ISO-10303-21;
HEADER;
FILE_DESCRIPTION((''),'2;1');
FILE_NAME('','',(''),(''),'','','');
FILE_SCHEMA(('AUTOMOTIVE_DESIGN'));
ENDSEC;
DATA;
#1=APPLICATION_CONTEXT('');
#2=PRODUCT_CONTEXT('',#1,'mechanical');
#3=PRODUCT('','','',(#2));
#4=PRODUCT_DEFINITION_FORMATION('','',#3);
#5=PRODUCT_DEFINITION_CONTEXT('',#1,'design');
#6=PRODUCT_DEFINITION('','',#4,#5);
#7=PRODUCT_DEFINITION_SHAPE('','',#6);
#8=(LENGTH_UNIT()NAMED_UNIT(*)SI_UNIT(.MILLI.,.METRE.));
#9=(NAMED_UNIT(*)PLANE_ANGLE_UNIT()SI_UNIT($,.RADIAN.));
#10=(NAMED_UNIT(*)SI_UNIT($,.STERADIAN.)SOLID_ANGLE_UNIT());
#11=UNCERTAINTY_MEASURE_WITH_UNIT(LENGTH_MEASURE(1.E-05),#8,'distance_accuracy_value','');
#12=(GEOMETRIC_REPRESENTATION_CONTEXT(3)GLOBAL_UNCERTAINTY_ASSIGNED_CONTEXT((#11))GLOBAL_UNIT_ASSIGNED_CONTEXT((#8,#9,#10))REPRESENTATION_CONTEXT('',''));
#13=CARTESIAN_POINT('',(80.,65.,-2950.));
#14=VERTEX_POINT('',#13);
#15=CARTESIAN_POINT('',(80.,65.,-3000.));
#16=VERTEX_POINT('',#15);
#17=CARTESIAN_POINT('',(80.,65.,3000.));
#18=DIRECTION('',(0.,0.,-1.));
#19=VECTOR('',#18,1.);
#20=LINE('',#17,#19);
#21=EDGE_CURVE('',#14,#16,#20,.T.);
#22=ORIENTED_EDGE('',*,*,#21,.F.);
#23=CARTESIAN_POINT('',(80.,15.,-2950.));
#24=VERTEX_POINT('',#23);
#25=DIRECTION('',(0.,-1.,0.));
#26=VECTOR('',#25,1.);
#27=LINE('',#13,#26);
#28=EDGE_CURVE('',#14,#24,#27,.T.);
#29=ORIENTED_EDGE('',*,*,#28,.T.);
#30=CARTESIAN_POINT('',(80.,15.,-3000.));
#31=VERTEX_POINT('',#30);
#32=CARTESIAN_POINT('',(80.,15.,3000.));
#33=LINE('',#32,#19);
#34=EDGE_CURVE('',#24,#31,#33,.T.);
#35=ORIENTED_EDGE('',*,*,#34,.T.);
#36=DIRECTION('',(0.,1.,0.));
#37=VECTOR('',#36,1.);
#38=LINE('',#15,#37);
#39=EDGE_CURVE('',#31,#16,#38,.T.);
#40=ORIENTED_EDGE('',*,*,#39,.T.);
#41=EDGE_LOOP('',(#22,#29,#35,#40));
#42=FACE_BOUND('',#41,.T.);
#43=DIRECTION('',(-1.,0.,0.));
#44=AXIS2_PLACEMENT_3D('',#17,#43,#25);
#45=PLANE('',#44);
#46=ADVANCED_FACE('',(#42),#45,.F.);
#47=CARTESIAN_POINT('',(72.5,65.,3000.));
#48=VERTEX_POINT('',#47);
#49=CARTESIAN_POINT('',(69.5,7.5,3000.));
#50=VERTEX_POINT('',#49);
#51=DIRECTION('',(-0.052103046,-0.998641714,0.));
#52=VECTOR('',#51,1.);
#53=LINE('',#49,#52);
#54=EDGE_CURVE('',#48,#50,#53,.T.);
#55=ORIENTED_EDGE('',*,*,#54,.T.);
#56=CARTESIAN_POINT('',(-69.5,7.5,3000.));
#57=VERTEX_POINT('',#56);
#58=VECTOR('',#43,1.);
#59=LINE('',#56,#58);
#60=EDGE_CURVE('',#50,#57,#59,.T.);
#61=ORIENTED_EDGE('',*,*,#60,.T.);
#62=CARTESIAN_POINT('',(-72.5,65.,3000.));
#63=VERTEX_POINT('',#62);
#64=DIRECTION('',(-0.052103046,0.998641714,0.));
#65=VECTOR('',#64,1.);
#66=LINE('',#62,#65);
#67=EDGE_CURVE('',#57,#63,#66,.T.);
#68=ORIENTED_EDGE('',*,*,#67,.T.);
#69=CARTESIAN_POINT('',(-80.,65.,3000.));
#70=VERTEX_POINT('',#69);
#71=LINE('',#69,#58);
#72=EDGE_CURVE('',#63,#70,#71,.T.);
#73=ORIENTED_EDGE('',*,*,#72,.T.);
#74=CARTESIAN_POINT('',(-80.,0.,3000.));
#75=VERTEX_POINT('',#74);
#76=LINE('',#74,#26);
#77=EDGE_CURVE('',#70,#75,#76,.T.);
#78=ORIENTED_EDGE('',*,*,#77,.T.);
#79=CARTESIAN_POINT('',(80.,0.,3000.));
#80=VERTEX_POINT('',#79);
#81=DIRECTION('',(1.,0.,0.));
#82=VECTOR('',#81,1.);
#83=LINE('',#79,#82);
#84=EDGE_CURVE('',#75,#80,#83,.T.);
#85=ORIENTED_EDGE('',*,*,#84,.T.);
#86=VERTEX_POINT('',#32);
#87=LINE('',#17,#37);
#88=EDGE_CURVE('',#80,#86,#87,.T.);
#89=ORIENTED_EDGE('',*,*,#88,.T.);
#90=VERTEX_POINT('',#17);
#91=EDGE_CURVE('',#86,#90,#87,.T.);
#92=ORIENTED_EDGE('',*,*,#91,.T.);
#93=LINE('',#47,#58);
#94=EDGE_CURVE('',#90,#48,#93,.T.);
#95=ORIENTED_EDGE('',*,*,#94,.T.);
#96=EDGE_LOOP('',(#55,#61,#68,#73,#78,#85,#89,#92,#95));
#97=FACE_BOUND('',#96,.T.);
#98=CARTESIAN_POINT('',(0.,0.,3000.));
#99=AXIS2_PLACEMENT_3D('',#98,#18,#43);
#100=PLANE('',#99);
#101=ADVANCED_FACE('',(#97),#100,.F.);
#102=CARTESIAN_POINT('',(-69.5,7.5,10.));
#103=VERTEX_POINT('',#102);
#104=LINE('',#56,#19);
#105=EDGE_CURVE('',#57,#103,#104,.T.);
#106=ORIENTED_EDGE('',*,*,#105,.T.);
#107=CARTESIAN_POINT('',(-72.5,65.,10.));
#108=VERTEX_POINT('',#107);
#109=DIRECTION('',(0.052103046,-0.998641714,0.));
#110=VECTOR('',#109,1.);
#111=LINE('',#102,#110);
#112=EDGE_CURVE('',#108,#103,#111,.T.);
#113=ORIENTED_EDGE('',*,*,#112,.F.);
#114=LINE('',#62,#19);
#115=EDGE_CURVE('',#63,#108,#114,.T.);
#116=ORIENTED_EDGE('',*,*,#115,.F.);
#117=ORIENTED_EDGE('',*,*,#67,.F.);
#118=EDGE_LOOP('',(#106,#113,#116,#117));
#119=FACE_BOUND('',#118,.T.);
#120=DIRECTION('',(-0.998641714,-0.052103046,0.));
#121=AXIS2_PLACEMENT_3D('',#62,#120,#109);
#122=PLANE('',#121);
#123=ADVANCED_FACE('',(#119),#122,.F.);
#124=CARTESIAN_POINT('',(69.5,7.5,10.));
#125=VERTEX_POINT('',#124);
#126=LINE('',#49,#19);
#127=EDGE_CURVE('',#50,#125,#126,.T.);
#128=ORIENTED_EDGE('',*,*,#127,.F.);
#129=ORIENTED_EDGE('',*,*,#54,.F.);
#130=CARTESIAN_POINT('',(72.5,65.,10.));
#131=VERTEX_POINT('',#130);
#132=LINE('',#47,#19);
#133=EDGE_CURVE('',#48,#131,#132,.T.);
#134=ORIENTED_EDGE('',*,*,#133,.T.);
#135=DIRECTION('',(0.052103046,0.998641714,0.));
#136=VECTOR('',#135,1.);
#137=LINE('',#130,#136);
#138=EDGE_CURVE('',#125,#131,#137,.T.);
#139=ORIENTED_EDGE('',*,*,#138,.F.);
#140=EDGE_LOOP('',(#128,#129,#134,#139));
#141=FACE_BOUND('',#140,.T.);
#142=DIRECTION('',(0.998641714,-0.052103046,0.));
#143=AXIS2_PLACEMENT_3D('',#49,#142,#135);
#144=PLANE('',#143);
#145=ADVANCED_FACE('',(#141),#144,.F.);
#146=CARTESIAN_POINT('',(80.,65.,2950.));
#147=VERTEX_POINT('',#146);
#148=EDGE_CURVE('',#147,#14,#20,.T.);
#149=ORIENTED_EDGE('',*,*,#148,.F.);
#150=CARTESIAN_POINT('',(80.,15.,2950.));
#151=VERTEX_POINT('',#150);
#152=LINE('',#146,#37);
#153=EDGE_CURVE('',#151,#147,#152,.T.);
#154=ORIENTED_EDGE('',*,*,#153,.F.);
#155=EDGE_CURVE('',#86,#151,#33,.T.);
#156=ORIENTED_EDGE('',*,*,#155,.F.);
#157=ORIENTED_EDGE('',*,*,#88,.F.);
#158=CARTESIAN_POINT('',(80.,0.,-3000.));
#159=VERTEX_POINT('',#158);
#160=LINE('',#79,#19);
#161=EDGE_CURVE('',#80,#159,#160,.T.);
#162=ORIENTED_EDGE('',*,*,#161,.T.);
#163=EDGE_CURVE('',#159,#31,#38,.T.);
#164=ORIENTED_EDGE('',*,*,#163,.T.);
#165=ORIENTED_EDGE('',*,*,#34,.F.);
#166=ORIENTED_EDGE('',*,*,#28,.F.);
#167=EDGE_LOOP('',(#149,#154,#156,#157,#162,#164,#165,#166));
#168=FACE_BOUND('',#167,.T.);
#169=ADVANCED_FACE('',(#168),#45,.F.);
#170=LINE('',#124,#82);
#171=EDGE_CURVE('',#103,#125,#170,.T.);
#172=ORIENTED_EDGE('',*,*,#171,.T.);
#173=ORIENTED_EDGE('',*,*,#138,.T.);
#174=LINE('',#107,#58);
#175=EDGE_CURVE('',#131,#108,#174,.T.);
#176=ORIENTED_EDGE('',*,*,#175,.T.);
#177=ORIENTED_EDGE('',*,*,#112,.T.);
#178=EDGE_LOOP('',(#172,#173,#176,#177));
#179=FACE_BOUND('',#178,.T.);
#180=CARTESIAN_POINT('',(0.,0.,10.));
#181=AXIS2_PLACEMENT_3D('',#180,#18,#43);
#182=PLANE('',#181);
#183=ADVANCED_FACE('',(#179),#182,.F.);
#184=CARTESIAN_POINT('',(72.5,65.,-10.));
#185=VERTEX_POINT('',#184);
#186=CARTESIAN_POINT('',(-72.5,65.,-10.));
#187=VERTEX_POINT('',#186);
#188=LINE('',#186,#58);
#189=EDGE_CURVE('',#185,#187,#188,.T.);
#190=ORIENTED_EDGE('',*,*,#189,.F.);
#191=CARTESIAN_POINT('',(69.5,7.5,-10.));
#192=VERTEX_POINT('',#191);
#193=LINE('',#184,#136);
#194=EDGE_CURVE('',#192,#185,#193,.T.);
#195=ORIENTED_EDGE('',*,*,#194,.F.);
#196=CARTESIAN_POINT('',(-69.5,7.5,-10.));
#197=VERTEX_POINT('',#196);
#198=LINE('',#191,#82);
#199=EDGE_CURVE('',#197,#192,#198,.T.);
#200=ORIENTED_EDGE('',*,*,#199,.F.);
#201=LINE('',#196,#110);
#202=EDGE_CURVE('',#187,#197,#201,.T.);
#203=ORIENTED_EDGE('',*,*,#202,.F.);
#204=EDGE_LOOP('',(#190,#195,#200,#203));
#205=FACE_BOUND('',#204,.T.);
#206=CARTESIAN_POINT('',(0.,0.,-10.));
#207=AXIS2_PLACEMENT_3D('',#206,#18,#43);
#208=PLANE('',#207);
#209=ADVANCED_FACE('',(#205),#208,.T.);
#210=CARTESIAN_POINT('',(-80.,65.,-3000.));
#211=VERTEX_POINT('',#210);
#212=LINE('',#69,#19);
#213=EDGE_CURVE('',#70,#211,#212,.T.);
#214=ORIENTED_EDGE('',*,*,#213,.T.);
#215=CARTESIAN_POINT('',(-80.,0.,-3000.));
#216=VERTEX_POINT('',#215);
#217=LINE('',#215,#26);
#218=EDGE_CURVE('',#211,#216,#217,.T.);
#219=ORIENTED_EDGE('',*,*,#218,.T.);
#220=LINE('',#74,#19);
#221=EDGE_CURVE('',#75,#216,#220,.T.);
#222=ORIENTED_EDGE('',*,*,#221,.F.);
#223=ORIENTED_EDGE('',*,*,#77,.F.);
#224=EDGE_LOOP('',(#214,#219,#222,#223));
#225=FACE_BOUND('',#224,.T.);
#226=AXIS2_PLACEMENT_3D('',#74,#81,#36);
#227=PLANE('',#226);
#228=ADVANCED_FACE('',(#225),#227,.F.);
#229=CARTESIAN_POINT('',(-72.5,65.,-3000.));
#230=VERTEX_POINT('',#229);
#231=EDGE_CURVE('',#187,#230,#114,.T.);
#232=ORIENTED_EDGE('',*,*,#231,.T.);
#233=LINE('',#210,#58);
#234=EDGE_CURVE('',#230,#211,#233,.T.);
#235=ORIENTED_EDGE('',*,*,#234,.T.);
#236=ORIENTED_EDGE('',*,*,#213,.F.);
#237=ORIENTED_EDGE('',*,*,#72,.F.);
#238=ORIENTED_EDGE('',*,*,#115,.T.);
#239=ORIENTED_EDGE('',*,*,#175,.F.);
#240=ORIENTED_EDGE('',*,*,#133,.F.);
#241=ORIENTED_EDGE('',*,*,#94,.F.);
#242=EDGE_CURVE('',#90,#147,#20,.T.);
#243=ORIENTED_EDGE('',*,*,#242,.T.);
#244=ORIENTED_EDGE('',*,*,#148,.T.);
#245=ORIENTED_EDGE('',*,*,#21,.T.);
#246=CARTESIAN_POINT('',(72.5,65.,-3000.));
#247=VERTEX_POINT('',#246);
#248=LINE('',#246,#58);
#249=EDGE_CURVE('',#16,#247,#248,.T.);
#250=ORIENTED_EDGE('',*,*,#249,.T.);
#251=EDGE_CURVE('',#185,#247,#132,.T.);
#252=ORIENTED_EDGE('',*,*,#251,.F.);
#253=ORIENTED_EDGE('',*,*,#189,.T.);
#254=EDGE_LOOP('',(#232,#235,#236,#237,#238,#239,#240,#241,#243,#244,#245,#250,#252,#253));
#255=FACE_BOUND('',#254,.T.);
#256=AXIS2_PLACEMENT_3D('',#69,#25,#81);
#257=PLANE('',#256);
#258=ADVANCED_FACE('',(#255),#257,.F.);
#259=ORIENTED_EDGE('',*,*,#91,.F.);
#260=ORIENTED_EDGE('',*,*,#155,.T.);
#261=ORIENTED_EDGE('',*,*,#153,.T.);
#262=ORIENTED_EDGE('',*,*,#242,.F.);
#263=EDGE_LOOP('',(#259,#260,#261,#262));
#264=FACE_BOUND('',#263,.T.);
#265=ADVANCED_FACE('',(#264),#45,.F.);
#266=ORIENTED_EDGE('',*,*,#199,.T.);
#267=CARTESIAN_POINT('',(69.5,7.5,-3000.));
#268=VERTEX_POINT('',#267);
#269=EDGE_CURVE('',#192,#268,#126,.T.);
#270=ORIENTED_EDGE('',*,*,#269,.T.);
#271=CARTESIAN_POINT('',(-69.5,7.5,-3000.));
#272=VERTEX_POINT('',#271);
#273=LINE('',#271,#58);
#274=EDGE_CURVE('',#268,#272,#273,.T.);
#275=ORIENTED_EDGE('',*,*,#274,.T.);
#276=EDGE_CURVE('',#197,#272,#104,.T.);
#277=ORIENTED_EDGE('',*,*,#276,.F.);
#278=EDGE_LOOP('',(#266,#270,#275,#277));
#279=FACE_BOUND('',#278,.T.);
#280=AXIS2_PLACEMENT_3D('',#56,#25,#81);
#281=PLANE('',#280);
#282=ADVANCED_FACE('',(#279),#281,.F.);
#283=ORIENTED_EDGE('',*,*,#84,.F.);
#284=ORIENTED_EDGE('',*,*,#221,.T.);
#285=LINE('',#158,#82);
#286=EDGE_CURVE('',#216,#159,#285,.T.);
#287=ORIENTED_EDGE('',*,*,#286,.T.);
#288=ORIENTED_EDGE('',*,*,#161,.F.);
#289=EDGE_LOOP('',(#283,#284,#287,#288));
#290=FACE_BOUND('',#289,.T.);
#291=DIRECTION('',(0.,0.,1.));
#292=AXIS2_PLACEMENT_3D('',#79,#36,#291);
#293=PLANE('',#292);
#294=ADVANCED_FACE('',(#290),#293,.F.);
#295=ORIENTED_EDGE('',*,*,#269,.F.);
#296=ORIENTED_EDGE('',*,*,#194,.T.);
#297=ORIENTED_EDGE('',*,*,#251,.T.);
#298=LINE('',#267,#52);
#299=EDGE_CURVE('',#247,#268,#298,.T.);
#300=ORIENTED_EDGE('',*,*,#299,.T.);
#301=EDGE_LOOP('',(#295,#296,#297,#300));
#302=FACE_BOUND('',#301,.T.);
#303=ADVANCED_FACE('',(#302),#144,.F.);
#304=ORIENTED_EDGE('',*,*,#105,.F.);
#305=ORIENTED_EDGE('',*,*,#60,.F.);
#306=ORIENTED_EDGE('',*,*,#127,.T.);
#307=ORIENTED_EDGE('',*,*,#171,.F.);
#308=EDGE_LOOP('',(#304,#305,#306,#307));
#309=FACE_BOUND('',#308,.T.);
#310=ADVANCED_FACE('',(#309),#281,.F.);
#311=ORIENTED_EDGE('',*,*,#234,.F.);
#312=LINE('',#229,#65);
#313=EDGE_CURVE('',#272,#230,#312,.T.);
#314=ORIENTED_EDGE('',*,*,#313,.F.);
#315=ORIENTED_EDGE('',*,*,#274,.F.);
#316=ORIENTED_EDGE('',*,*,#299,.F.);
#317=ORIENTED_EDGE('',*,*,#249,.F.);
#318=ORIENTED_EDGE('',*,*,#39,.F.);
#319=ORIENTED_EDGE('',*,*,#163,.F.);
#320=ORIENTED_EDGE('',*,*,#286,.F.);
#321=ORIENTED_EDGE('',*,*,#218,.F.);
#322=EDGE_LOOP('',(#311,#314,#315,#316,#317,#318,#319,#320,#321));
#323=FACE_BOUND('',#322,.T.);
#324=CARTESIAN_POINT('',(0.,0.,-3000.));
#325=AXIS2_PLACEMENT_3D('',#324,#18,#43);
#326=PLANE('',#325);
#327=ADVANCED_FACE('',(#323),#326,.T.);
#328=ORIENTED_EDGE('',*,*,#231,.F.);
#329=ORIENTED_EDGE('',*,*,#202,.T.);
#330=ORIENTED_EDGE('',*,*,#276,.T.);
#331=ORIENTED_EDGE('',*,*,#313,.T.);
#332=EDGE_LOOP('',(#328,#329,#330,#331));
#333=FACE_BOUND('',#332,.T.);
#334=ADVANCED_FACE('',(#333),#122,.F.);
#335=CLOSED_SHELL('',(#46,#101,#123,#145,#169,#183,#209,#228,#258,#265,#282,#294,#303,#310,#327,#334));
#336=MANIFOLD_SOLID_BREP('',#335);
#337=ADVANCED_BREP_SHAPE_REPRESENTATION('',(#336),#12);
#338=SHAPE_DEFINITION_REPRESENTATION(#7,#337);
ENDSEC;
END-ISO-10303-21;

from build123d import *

# Parameters (mm, degrees)
AUFSATZ_LINEAR_AUSTRAGEN1_DEPTH = 3000
AUFSATZ_LINEAR_AUSTRAGEN2_DEPTH = 10


with BuildPart() as part:
    # Skizze1 → Aufsatz-Linear austragen1 (new body, symmetric)
    with BuildSketch(Plane.XY):
        Polygon((80, 0), (-80, 0), (-80, 65), (-72.5, 65), (-69.5, 7.5), (69.5, 7.5), (72.5, 65), (80, 65), align=None)
    extrude(amount=AUFSATZ_LINEAR_AUSTRAGEN1_DEPTH, both=True)

    # Skizze2 → Aufsatz-Linear austragen2 (add, symmetric)
    with BuildSketch(Plane.XY):
        Polygon((-69.5, 7.5), (-72.5, 65), (72.5, 65), (69.5, 7.5), align=None)
    extrude(amount=AUFSATZ_LINEAR_AUSTRAGEN2_DEPTH, both=True)


solid = part.part
